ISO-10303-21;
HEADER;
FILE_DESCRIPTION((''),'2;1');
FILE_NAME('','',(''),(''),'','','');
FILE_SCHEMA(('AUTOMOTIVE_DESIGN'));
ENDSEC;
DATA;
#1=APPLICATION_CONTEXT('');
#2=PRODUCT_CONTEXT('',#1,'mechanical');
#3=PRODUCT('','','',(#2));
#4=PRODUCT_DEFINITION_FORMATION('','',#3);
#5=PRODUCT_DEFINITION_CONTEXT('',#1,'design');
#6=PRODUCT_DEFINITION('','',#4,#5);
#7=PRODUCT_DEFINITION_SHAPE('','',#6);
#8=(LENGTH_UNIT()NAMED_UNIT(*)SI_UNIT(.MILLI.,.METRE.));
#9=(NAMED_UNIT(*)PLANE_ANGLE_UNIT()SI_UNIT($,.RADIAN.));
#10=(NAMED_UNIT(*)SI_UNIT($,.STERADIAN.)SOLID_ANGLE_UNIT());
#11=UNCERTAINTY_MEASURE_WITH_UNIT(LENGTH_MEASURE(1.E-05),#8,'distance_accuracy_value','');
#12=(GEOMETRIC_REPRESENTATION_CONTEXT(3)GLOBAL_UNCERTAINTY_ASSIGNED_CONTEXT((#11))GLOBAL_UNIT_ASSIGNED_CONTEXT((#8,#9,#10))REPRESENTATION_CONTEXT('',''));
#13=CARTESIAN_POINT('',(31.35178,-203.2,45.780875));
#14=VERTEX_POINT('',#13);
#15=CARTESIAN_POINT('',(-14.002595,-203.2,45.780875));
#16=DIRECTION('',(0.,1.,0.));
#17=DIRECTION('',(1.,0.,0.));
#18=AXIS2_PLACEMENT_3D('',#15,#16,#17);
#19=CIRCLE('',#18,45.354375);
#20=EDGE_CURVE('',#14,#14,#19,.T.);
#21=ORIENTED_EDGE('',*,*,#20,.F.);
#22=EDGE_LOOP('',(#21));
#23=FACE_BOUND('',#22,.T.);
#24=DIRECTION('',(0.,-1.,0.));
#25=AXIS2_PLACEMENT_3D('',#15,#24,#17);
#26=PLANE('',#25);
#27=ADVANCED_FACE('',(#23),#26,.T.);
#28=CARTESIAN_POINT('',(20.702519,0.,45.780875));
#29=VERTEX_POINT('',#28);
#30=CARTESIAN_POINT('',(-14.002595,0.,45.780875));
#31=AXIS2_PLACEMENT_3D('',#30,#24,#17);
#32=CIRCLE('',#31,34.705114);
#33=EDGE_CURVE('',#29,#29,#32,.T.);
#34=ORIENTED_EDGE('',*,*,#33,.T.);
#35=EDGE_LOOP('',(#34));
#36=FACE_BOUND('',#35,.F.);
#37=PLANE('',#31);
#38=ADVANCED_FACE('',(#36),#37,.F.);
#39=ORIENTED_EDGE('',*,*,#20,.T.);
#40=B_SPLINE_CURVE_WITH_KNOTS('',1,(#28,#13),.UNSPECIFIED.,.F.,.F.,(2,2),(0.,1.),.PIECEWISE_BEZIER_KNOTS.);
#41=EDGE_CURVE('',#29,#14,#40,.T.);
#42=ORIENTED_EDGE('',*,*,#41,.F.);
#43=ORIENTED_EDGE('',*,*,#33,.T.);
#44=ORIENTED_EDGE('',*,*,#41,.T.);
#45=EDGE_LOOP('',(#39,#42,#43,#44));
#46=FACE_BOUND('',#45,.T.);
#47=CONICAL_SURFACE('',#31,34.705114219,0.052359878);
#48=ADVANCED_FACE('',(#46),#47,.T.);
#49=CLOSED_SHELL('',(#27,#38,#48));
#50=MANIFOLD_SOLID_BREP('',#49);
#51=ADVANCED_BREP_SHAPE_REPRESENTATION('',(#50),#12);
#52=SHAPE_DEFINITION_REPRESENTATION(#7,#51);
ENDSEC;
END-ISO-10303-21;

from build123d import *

# Parameters (mm, degrees)
F0_R     = 34.7051142195
F1_DEPTH = 203.2
F1_TAPER = -3


with BuildPart() as f1:
    # F0 (on Front) → F1 (new body)
    with BuildSketch(Plane.XZ):
        with Locations((-14.0025950968, 45.7808747888)):
            Circle(F0_R)
    extrude(amount=F1_DEPTH, taper=F1_TAPER)


solid = f1.part
